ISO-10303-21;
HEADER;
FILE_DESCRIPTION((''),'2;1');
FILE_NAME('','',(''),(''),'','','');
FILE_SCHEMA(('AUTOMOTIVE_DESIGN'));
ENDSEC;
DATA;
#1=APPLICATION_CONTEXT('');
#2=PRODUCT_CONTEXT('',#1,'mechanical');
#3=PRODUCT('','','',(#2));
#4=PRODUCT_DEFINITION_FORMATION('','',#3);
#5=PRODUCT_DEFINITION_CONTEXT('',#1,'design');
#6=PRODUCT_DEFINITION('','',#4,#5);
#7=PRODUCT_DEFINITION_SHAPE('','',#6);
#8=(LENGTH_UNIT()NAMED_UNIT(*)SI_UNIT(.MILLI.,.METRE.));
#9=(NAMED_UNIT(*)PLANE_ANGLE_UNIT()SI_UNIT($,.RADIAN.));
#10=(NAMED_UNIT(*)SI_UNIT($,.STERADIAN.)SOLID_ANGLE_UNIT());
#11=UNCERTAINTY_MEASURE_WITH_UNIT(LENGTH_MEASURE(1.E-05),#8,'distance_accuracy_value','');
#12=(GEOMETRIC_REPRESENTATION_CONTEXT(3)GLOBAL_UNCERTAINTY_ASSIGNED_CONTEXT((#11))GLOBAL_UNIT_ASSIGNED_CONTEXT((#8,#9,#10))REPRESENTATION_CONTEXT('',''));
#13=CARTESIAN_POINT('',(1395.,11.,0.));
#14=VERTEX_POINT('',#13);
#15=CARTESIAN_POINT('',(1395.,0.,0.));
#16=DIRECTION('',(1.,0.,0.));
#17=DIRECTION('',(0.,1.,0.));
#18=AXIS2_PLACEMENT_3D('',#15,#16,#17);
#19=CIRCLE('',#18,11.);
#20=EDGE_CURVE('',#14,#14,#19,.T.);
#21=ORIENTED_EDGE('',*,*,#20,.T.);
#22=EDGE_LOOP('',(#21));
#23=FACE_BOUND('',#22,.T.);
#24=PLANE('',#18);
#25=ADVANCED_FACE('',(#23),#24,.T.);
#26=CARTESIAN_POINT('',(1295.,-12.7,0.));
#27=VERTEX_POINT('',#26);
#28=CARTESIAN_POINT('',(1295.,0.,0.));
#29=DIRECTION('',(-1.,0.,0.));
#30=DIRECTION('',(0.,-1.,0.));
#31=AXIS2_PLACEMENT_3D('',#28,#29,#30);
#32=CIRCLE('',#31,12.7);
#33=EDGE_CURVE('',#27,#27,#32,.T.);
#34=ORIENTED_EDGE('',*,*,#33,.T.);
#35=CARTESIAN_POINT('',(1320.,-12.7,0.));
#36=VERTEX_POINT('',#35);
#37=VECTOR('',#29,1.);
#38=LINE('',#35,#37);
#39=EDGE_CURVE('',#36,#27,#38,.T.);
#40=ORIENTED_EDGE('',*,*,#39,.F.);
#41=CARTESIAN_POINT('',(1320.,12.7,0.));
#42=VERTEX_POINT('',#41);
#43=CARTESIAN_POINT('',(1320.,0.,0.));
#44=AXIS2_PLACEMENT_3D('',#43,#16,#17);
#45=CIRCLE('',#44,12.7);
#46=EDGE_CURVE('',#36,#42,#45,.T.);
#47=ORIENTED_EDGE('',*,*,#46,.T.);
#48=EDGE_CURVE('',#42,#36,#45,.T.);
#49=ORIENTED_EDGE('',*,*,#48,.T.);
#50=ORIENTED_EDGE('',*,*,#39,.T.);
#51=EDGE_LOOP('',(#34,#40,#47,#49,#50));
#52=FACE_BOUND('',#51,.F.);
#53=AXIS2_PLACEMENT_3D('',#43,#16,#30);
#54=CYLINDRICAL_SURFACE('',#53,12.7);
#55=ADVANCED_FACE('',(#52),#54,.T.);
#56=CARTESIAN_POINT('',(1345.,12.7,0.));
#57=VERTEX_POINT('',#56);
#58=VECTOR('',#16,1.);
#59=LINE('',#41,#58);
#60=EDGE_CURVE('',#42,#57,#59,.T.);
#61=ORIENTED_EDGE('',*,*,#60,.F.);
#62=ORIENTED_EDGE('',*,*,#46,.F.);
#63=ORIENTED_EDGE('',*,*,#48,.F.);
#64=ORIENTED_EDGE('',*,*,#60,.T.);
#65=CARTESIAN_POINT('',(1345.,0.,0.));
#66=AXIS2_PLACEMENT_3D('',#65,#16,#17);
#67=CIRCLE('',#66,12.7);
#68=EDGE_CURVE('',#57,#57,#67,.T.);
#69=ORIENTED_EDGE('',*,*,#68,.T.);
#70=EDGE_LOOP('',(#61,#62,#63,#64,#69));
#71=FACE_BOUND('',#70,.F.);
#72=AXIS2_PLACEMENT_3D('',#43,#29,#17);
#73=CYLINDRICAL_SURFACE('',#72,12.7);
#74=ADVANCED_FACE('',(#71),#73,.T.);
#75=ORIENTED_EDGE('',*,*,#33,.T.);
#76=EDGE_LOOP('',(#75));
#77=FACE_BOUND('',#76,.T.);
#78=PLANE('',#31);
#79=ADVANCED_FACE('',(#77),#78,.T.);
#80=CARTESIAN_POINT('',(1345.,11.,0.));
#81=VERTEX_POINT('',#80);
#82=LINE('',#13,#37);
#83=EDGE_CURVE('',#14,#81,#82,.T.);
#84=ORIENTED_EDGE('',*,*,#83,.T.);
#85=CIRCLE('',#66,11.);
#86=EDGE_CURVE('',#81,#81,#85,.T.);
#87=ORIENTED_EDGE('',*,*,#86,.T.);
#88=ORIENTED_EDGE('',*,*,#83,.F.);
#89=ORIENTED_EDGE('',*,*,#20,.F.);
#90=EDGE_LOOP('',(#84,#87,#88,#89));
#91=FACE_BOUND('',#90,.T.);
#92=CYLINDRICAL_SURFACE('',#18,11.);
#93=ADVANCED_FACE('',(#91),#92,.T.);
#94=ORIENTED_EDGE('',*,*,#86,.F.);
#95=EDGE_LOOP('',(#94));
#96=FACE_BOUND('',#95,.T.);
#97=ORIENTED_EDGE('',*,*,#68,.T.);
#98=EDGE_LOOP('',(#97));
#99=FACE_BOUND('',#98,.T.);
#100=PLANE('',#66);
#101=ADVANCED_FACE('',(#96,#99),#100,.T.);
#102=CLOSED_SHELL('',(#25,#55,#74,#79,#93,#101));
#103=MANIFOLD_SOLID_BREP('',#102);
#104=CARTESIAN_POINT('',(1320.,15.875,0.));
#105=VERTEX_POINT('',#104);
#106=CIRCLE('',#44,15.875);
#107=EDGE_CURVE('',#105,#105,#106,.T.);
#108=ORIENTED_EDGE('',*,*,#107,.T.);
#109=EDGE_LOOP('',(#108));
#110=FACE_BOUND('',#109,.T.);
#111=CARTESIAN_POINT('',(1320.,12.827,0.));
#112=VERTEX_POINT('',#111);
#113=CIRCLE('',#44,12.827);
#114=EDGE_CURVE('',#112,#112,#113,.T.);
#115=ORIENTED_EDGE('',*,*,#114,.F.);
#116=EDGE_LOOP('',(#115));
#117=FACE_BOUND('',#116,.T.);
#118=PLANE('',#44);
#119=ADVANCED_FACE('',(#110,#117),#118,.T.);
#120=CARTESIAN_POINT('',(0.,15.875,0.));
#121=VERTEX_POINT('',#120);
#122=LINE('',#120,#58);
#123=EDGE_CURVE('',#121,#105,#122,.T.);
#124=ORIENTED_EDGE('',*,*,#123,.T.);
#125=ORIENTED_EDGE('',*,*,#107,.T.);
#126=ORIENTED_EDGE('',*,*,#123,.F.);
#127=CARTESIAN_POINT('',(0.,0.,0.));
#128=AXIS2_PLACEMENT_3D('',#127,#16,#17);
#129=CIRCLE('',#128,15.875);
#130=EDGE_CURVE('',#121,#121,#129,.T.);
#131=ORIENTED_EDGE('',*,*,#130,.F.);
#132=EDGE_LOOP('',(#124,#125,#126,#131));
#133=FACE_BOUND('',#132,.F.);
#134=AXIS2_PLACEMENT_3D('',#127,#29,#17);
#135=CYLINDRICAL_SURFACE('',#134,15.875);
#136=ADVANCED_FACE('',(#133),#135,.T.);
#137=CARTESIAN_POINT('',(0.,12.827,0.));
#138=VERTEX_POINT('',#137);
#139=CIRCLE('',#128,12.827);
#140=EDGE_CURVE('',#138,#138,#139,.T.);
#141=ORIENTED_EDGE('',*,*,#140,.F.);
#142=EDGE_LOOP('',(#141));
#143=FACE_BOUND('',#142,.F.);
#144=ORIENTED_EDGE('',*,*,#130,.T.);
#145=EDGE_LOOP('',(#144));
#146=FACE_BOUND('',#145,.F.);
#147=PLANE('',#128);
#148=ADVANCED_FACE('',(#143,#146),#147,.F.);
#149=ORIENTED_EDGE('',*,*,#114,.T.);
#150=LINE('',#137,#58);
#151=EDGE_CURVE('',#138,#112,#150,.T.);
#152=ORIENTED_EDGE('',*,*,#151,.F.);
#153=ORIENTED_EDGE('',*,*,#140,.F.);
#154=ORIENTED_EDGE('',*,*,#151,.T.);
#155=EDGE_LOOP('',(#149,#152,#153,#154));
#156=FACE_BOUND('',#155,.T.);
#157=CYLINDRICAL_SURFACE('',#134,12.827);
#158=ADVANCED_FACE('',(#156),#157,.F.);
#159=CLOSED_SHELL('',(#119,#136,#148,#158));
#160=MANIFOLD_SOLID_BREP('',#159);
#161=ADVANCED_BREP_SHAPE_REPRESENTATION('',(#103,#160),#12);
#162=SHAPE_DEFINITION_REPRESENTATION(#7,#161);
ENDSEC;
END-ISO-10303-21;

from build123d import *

# Parameters (mm, degrees)
F0_R     = 15.875
F0_R_2   = 12.827
F1_DEPTH = 1320
F2_R     = 12.7
F3_DEPTH = 75
F4_R     = 12.7
F4_R_2   = 11
F5_DEPTH = 50
F6_R     = 12.7
F7_DEPTH = 25


with BuildPart() as f1:
    # F0 (on Right) → F1 (new body)
    with BuildSketch(Plane.YZ):
        Circle(F0_R)
        Circle(F0_R_2, mode=Mode.SUBTRACT)
    extrude(amount=F1_DEPTH)


with BuildPart() as f3:
    # F2 (on face) → F3 (new body)
    with BuildSketch(Plane.YZ.offset(1320)):
        Circle(F2_R)
    extrude(amount=F3_DEPTH)

    # F4 (on face) → F5 (cut)
    with BuildSketch(Plane.YZ.offset(1395)):
        Circle(F4_R)
        Circle(F4_R_2, mode=Mode.SUBTRACT)
    extrude(amount=-F5_DEPTH, mode=Mode.SUBTRACT)

    # F6 (on face) → F7 (join)
    with BuildSketch(Plane(origin=(1320, 0, 0), x_dir=(0, -1, 0), z_dir=(-1, 0, 0))):
        Circle(F6_R)
    extrude(amount=F7_DEPTH)


solid = Compound([f1.part, f3.part])
